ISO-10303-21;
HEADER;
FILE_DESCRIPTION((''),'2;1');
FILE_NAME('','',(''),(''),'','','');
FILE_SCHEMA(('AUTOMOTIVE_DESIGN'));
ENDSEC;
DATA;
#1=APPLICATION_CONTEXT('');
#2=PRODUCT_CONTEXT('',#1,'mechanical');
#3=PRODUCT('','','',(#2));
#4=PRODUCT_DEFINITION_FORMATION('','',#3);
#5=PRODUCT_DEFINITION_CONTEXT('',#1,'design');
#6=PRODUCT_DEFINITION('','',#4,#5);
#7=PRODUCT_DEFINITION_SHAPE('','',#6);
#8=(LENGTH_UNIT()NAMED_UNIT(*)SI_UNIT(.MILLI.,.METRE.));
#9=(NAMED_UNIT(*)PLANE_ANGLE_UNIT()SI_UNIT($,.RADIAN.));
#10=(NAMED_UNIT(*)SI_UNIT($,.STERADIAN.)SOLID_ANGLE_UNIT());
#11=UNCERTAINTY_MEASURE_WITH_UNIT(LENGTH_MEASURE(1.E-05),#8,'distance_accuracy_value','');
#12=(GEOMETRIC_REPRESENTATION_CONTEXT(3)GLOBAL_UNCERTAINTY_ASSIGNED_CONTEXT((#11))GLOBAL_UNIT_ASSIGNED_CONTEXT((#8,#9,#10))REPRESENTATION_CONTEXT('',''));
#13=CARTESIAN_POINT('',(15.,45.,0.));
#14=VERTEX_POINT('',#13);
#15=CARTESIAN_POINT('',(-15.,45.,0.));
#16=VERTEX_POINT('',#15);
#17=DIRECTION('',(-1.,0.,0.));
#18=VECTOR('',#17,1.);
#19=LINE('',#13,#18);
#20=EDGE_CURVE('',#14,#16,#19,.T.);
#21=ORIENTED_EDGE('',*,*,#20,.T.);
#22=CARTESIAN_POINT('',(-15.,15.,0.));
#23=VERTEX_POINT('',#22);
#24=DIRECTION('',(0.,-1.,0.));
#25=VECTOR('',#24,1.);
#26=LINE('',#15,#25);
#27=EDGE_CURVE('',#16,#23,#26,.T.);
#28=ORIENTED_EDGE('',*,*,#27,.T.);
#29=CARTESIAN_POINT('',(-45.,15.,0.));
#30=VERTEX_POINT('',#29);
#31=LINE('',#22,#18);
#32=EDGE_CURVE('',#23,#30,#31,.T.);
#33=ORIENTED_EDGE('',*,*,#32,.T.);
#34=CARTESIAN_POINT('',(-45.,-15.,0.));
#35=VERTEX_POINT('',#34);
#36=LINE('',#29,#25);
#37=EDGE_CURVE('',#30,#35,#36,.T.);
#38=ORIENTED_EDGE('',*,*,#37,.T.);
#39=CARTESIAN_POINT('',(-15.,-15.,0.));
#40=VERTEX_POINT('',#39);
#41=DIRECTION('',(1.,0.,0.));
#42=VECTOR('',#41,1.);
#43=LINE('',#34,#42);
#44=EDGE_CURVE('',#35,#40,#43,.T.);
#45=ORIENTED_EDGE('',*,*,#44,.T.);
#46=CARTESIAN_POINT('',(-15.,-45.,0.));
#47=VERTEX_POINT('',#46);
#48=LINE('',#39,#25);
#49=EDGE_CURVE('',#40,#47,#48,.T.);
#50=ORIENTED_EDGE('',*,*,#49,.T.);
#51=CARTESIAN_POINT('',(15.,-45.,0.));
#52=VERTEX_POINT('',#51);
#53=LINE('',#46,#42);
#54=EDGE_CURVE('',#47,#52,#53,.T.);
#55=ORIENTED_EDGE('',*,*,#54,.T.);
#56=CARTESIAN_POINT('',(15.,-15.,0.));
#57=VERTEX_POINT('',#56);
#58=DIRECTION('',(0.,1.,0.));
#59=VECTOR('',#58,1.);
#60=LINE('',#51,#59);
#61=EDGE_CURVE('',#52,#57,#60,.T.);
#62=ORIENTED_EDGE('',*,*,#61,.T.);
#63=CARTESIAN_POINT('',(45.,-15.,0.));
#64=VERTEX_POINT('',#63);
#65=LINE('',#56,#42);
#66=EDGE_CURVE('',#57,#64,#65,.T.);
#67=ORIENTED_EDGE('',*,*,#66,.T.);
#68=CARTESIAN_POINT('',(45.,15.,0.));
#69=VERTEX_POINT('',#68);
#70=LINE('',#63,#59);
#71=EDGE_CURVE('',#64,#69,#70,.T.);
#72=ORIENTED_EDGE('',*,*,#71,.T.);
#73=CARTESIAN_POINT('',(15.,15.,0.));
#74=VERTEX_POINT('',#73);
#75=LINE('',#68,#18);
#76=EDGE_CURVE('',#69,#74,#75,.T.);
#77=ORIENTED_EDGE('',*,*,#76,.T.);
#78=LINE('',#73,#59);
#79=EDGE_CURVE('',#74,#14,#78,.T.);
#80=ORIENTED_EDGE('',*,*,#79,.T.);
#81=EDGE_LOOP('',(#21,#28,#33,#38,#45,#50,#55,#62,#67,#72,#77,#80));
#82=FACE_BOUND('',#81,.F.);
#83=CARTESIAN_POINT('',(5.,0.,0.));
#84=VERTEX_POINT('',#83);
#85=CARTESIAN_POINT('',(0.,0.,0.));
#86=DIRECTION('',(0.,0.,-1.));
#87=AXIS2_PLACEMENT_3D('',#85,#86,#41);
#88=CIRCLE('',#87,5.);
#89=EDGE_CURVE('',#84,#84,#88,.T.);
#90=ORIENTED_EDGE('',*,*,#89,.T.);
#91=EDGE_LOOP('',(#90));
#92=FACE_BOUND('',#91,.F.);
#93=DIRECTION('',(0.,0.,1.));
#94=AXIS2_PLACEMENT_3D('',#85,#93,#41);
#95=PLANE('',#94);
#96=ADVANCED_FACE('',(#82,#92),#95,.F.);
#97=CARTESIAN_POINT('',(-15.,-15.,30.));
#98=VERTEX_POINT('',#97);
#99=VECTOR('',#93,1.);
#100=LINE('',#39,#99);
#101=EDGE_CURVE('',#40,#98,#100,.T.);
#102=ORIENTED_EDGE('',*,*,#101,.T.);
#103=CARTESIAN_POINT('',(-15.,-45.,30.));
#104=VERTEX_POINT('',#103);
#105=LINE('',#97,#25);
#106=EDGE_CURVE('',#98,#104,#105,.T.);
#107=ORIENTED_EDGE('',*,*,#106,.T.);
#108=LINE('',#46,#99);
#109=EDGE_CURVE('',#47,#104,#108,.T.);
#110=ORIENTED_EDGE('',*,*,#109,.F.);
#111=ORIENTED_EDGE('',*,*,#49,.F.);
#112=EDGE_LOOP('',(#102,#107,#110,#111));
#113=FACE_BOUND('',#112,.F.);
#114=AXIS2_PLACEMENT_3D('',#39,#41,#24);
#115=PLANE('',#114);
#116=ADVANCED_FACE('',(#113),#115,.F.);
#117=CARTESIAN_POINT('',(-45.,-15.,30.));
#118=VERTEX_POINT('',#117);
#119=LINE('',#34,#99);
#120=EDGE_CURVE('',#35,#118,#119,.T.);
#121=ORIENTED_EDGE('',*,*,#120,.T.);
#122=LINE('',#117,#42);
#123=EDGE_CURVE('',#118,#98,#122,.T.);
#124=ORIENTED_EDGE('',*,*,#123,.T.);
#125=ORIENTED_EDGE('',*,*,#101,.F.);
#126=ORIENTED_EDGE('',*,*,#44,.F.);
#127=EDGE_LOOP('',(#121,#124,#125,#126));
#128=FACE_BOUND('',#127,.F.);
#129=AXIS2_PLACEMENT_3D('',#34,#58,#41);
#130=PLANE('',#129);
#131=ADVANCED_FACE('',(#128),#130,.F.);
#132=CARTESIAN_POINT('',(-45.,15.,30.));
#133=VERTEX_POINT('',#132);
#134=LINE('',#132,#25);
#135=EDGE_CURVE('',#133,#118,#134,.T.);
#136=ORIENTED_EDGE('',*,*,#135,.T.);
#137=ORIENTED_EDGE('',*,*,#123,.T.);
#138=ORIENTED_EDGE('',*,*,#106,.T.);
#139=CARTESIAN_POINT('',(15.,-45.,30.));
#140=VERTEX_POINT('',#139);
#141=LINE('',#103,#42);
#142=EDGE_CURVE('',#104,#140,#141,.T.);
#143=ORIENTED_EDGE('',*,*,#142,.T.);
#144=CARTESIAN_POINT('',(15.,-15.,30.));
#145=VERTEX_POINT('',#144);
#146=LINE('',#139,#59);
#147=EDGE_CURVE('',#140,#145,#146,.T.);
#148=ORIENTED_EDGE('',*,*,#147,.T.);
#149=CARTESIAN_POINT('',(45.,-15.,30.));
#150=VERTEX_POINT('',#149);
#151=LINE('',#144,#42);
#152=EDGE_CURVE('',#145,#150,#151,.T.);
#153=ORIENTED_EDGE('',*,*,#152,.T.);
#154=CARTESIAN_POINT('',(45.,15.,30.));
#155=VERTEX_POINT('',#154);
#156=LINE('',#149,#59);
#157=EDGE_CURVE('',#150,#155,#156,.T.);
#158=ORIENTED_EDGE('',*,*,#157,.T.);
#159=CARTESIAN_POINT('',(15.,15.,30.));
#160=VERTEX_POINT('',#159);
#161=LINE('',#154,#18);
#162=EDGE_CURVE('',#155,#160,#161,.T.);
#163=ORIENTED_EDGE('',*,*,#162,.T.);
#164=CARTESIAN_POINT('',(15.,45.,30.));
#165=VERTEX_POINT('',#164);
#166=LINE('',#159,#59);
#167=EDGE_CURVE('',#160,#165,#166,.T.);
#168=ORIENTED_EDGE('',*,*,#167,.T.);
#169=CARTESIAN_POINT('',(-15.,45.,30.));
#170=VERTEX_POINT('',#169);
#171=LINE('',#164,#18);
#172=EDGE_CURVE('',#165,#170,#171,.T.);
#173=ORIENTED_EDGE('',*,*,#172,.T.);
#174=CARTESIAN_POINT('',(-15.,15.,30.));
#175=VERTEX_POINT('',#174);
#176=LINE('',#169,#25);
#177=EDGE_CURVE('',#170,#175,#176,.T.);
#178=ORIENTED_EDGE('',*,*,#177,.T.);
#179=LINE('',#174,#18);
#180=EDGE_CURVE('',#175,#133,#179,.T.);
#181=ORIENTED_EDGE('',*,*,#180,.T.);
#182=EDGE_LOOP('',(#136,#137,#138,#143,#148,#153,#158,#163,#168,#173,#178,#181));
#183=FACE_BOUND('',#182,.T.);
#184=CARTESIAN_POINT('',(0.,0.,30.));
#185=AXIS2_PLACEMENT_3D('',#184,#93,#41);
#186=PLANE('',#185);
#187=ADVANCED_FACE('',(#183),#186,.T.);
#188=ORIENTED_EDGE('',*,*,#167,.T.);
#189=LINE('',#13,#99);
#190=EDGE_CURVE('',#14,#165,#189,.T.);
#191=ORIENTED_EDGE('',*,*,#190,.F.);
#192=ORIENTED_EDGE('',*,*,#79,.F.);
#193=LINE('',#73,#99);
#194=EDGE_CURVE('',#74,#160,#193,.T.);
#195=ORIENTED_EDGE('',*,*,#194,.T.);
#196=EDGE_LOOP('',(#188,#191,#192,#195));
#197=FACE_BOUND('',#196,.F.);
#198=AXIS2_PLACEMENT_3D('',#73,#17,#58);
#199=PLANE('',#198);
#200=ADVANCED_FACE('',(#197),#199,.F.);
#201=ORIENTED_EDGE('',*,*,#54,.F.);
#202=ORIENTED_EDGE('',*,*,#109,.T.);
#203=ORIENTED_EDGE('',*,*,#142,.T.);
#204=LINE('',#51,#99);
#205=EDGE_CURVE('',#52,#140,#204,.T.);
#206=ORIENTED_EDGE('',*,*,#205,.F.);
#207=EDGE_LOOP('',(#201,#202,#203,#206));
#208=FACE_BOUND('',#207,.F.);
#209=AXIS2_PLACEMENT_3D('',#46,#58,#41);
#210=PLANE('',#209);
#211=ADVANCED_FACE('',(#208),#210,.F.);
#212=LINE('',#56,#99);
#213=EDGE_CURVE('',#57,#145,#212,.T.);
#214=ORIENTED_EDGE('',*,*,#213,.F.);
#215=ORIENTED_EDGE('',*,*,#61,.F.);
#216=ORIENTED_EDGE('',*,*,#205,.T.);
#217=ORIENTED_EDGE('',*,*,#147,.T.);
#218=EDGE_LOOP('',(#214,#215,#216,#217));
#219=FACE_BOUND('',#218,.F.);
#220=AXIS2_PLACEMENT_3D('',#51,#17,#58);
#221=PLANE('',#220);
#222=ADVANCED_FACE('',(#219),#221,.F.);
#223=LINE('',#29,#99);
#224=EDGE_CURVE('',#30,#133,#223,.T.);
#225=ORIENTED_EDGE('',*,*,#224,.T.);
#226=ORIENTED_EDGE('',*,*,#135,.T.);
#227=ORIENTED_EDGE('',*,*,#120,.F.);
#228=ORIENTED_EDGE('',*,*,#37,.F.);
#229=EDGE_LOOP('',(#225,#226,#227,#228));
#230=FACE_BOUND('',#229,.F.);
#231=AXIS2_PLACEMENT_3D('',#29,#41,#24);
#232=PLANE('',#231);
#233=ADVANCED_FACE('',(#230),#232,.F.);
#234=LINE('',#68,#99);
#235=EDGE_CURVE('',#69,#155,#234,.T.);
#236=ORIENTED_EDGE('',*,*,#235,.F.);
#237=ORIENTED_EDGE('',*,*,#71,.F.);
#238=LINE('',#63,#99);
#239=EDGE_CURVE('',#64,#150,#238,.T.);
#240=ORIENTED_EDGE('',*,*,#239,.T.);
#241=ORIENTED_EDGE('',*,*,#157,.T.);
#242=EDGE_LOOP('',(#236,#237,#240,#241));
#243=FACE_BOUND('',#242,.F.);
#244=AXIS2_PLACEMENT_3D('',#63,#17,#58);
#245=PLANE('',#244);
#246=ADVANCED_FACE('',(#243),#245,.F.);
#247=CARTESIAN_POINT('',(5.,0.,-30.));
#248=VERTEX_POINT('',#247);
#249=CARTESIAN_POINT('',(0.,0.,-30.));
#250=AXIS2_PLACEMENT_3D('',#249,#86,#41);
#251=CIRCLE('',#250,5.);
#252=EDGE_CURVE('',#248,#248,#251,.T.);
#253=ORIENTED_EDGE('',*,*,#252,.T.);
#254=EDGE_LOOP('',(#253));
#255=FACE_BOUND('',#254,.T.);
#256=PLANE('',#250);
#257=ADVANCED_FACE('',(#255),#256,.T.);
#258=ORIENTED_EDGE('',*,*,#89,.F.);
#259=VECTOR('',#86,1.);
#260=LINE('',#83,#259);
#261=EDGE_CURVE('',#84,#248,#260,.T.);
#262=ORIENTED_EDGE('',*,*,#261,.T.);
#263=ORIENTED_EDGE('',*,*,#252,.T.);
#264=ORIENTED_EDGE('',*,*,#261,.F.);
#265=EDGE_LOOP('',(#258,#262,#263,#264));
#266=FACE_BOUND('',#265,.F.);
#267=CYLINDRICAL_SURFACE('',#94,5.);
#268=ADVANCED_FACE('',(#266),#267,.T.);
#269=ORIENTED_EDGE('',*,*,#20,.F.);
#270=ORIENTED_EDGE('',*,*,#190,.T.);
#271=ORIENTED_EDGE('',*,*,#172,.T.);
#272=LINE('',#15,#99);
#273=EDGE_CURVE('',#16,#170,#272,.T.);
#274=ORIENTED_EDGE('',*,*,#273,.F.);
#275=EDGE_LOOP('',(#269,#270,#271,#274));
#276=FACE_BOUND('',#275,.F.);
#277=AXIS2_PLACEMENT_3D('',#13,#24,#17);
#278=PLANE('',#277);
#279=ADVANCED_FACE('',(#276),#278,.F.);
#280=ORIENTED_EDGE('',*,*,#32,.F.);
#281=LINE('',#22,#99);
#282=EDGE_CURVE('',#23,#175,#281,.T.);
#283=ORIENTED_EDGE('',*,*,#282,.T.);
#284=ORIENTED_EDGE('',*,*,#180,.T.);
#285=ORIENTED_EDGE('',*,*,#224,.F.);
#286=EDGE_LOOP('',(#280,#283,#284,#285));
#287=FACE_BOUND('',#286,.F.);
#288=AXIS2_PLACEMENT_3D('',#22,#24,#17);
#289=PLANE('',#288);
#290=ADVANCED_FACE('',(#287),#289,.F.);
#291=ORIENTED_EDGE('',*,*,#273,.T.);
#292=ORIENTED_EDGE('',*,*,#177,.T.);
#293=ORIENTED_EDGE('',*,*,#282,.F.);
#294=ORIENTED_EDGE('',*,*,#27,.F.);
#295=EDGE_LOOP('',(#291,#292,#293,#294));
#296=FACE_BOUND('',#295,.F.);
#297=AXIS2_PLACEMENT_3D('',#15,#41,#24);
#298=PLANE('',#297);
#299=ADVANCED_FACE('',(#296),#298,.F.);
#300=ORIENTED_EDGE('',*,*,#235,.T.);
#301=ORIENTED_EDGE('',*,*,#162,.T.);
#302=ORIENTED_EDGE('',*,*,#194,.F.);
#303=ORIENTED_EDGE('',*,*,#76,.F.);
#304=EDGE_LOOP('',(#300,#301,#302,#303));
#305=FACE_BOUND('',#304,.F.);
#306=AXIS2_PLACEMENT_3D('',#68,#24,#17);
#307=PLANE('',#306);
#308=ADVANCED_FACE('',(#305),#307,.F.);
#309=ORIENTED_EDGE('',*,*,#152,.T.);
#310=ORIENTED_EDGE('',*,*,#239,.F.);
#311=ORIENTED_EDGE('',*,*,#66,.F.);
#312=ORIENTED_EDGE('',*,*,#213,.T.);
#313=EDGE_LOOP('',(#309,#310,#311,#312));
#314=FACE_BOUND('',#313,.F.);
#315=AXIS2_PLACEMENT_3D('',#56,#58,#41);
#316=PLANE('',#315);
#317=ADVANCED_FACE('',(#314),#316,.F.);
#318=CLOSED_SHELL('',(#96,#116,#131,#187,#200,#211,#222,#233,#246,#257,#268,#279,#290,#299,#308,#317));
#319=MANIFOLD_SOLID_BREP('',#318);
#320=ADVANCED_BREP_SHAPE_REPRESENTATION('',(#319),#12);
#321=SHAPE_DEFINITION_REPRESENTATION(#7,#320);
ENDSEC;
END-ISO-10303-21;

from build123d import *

# Parameters (mm, degrees)
F1_DEPTH = 30
F2_R     = 5
F3_DEPTH = 30


with BuildPart() as f1:
    # F0 (on Top) → F1 (new body)
    with BuildSketch(Plane.XY):
        Polygon((45, -15), (45, 0), (45, 15), (15, 15), (15, 45), (0, 45), (-15, 45), (-15, 15), (-45, 15), (-45, 0), (-45, -15), (-15, -15), (-15, -45), (0, -45), (15, -45), (15, -15), align=None)
    extrude(amount=F1_DEPTH)

    # F2 (on face) → F3 (join)
    with BuildSketch(Plane(origin=(0, 0, 0), x_dir=(1, 0, 0), z_dir=(0, 0, -1))):
        Circle(F2_R)
    extrude(amount=F3_DEPTH)


solid = f1.part
